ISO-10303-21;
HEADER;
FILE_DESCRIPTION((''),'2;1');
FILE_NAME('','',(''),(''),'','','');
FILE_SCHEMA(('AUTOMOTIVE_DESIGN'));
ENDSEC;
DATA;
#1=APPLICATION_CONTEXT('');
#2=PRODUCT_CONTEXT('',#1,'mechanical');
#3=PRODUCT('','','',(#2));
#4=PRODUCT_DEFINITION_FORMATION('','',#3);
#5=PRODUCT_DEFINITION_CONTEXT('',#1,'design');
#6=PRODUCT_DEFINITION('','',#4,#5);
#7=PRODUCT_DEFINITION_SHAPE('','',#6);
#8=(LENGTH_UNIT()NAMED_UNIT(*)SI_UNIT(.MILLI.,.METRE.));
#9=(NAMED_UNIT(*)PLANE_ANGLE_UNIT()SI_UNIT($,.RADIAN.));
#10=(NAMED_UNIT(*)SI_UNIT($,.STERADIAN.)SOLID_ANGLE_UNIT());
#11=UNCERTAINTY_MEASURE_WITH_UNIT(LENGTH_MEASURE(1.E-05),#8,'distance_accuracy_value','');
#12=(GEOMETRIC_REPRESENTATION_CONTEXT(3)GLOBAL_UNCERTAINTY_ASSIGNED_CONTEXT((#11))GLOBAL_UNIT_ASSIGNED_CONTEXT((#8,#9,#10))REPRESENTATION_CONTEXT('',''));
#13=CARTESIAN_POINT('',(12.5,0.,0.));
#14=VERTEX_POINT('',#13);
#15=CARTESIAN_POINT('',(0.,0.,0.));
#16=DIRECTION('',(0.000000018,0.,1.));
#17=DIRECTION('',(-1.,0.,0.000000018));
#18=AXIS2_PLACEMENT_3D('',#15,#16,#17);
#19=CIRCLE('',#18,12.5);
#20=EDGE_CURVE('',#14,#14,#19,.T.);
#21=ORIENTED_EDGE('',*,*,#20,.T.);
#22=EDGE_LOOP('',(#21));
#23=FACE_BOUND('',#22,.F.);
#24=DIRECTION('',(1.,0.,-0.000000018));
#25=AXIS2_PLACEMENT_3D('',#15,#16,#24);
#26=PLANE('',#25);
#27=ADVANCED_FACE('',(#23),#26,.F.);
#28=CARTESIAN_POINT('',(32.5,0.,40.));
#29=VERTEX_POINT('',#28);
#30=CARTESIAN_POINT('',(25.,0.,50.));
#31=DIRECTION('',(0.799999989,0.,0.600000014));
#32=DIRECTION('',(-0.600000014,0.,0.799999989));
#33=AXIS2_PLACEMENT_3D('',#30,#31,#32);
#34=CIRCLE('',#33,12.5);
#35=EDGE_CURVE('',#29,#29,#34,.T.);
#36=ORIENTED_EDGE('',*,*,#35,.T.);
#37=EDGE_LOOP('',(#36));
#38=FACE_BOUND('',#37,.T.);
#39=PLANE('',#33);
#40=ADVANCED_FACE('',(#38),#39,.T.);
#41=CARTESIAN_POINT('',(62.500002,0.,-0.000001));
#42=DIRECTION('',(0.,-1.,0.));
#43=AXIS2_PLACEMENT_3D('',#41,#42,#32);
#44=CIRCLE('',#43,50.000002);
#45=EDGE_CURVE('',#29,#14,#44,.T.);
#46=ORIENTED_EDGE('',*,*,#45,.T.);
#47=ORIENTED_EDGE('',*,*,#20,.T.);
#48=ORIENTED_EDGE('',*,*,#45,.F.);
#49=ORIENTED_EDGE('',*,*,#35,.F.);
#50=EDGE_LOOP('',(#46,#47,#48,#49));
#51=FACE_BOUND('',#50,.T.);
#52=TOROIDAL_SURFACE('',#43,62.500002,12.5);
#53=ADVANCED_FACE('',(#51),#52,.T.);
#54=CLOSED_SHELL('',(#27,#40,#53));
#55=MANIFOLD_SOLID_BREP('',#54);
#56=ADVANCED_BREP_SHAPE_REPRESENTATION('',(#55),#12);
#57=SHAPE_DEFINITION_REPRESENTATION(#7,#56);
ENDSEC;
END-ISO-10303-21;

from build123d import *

# Parameters (mm, degrees)
F0_R = 12.5


with BuildPart() as f2:
    # F2: sweep along a path in F1
    with BuildLine(Plane.XZ) as f2_path:
        ThreePointArc((25, 50), (6.598301, 27.95085), (0, 0))
    # F0 (on Top) → F2 (sweep)
    with BuildSketch(Plane.XY):
        Circle(F0_R)
    sweep(path=f2_path.line)


solid = f2.part
